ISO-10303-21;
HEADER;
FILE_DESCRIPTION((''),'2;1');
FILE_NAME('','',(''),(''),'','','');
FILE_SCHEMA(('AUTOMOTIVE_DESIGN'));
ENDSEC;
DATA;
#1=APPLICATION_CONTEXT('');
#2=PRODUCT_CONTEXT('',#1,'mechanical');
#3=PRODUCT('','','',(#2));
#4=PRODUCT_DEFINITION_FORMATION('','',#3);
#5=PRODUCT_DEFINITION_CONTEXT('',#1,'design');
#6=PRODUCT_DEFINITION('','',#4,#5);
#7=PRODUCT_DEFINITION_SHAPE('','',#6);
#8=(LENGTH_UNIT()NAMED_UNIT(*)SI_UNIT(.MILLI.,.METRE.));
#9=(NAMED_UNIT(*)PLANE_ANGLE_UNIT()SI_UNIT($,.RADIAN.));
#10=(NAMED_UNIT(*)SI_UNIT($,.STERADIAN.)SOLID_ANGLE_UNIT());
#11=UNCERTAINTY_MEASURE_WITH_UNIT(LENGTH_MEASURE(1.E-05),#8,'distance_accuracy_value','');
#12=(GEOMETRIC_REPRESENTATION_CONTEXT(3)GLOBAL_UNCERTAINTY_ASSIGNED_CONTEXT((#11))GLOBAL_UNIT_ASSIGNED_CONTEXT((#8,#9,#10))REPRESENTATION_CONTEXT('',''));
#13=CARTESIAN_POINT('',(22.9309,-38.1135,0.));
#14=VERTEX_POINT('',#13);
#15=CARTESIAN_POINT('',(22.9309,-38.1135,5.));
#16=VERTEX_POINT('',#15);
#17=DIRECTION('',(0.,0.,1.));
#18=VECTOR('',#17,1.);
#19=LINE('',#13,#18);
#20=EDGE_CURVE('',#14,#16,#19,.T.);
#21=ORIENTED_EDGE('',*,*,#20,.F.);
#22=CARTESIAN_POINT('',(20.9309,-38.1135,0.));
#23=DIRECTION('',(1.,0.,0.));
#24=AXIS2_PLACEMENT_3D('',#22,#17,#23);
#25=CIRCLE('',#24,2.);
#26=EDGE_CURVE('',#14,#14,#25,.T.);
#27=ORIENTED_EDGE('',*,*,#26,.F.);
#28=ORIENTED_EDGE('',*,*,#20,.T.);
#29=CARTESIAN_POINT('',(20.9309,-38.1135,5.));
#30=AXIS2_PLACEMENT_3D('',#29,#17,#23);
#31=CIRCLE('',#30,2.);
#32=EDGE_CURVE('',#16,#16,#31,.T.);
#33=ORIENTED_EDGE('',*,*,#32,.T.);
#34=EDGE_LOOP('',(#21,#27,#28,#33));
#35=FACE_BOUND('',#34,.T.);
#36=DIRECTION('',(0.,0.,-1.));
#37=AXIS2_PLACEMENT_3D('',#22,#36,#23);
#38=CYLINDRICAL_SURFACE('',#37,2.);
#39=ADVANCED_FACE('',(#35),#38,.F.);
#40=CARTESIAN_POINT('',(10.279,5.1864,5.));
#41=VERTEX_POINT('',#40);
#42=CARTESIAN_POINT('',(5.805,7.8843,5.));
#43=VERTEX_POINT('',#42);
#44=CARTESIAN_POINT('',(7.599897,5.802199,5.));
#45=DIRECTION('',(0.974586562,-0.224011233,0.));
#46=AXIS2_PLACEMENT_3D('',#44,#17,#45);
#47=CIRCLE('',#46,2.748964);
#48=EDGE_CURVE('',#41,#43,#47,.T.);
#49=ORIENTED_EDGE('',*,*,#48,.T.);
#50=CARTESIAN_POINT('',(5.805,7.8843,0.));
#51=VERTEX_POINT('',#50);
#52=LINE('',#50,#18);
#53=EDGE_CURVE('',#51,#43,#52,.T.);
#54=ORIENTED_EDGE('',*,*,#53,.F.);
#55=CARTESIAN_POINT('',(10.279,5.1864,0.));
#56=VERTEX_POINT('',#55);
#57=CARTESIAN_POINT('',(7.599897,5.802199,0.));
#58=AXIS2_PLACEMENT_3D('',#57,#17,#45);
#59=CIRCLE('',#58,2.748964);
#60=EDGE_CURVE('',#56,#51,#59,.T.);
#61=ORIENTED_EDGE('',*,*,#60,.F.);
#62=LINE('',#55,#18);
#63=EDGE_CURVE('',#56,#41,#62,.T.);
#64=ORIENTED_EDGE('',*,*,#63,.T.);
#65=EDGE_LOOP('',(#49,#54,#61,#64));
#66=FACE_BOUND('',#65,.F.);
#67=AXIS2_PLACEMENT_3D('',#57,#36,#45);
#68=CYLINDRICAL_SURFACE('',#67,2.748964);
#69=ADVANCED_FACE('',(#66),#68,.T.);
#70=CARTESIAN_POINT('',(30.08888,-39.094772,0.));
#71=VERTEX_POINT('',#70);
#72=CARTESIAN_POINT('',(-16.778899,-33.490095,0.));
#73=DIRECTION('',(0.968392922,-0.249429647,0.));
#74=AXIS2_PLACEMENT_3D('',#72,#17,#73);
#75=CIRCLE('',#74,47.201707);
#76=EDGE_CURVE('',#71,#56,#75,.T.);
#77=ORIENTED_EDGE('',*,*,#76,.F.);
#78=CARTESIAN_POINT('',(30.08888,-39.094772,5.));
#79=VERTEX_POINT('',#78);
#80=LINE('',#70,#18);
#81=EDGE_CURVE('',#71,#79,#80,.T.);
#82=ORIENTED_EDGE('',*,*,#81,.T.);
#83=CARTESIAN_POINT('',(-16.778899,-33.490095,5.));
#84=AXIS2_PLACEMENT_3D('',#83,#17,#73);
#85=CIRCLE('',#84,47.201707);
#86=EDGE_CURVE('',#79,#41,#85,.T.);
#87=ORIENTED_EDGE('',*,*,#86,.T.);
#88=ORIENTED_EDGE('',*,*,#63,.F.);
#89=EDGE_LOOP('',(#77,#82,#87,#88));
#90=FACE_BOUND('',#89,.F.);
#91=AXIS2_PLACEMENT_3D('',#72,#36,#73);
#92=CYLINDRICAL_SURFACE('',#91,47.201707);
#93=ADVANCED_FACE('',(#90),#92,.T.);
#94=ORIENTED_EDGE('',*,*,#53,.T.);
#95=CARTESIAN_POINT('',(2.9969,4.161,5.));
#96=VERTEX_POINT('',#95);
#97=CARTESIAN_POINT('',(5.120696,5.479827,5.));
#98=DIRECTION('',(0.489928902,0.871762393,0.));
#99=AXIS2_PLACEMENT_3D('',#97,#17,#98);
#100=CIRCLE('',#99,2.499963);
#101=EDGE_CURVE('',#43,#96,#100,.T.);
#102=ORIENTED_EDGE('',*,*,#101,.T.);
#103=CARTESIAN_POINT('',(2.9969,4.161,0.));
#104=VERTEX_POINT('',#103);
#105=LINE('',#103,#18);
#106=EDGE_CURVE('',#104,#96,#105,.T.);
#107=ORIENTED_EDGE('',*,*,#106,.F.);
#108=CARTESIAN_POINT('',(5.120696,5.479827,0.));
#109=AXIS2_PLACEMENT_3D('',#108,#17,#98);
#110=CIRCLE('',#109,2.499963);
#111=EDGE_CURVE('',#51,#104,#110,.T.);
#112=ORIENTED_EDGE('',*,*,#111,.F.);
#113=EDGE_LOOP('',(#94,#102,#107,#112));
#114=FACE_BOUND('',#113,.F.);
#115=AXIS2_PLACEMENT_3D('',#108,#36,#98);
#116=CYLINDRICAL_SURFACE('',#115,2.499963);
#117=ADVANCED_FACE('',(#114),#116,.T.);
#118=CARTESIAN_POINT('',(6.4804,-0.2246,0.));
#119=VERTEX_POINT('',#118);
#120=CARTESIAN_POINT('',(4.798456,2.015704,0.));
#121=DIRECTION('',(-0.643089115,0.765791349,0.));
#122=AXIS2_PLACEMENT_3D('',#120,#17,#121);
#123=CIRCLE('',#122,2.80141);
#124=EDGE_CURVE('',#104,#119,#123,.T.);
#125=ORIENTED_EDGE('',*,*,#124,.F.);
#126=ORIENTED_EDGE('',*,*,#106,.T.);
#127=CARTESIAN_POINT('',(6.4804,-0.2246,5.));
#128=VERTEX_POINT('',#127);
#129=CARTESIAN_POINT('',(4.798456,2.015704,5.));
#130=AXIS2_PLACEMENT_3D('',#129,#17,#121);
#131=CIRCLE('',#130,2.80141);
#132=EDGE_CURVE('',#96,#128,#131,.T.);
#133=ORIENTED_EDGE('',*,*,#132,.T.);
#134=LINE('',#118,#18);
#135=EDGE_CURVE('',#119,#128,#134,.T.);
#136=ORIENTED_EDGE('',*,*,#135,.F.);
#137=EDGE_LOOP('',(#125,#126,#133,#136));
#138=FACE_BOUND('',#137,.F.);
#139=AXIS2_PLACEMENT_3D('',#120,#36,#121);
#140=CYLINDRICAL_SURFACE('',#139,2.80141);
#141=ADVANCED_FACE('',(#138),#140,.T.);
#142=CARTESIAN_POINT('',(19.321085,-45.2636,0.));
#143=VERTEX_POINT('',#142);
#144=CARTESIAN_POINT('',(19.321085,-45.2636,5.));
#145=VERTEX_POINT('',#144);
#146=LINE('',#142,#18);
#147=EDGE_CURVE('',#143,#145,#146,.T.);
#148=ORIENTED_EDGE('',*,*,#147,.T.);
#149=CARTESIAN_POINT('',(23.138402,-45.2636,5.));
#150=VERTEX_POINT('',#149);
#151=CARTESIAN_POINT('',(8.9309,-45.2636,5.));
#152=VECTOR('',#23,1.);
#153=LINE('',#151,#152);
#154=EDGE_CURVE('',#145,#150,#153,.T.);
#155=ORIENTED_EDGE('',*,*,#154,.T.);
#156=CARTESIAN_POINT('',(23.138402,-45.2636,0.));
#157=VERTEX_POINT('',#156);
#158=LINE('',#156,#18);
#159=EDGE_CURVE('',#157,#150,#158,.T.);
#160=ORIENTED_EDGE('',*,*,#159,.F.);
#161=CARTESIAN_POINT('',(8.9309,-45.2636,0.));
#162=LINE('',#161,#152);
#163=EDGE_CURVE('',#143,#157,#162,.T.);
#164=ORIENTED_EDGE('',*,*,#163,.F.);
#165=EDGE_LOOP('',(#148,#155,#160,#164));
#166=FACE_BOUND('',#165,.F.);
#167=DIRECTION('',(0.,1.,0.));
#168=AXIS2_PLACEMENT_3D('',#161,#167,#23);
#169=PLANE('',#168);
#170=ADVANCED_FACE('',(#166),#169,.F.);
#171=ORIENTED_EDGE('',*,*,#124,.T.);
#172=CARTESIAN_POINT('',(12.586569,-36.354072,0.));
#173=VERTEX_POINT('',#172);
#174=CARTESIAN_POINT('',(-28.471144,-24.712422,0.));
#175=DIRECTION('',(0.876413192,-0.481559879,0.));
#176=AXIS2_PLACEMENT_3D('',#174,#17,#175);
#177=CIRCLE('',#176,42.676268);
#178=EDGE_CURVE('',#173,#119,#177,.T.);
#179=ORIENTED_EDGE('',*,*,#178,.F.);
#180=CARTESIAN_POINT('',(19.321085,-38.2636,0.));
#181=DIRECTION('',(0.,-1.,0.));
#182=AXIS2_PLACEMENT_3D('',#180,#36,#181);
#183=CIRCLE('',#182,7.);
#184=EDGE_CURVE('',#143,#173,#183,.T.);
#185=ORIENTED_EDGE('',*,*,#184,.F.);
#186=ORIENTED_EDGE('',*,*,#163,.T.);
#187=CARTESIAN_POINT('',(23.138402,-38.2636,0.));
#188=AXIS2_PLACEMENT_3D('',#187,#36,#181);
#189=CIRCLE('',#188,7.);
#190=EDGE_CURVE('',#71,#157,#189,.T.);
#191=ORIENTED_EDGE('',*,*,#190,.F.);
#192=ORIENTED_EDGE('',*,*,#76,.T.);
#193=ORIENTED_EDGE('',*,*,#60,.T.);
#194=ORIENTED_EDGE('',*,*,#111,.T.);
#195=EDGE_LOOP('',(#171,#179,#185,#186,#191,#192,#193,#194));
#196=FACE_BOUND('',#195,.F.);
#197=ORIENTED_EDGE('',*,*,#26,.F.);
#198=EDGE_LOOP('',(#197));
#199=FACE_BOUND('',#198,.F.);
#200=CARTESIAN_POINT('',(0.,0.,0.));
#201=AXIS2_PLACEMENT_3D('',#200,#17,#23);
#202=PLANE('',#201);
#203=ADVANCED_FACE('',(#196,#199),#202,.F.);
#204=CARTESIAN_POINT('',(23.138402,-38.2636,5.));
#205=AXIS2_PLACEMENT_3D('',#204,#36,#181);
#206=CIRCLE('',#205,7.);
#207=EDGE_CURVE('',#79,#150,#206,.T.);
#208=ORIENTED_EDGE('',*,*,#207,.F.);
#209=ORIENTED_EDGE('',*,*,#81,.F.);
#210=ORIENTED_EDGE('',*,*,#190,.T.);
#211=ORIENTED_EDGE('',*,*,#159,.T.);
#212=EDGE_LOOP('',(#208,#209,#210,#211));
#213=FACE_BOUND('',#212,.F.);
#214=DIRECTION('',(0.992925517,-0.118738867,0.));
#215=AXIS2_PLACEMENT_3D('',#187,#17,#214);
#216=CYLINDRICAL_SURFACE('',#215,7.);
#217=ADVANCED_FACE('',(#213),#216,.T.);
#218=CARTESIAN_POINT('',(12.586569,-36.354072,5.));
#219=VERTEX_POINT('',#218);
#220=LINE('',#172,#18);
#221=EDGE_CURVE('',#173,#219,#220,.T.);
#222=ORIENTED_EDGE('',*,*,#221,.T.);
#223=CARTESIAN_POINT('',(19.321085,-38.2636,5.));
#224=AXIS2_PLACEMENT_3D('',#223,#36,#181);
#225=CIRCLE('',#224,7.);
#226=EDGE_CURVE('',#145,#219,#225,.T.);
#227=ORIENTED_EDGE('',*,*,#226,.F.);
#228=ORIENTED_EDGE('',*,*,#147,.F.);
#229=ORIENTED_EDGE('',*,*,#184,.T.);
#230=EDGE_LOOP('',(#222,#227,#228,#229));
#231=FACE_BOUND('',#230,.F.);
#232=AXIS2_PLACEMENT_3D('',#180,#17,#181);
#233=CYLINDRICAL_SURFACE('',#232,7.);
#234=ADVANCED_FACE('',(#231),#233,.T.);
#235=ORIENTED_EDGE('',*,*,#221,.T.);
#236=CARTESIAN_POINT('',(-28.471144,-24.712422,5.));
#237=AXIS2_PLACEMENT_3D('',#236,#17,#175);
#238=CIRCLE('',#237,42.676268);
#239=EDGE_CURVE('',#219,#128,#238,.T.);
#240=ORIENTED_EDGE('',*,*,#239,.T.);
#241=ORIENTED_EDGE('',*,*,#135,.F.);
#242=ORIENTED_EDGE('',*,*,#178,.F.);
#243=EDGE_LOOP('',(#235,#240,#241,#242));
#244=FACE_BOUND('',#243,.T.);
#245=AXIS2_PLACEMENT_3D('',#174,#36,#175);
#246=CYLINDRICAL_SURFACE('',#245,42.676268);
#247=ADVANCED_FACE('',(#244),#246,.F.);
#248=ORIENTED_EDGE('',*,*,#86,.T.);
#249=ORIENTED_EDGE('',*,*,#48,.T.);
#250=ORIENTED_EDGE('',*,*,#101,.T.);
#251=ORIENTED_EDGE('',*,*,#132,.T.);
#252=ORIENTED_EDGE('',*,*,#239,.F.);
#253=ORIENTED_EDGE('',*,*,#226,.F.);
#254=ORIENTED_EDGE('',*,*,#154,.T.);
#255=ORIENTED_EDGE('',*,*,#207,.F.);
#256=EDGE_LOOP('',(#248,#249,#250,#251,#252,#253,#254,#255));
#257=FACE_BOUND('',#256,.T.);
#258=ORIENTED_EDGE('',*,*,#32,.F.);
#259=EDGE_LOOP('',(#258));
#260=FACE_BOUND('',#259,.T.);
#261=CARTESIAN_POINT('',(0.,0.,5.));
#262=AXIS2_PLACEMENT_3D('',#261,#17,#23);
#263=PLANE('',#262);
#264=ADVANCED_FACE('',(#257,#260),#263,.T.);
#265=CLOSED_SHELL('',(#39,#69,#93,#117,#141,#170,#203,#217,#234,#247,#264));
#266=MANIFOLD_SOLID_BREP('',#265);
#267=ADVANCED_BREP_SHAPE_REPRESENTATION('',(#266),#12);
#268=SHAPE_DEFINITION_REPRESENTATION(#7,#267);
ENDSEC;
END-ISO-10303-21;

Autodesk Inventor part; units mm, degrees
ref_plane "YZ Plane" through (0, 0, 0) normal (1, 0, 0) x (0, 1, 0)
ref_plane "XZ Plane" through (0, 0, 0) normal (0, 1, 0) x (-1, 0, 0)
ref_plane "XY Plane" through (0, 0, 0) normal (0, 0, 1) x (1, 0, 0)
sketch "Sketch1" plane through (0, 0, 0) normal (0, 0, 1) x (1, 0, 0)
  arc A0 (6.3455, 7.6592) -> (2.9969, 4.161) centre (5.1207, 5.4798) ccw
  arc A1 (28.9309, -45.2636) -> (10.279, 5.1864) centre (-16.779, -33.4901) ccw
  arc A2 (8.9309, -45.2636) -> (6.4804, -0.2246) centre (-28.4708, -24.7125) ccw
  line L0 (8.9309, -45.2636) -> (28.9309, -45.2636)
  arc A3 (2.9969, 4.161) -> (6.4804, -0.2246) centre (4.7985, 2.0157) ccw
  arc A4 (10.279, 5.1864) -> (5.805, 7.8843) centre (7.5999, 5.8022) ccw
  circle A5 centre (20.9309, -38.1135) radius 2
  point P0 (0, 0)
  dimension "d25" = 2.5
  dimension "d32" = 20
  dimension "d50" = 7.1502
  dimension "d51" = 8
extrude "Extrusion4" add sketch "Sketch1" along normal blind 5
fillet "Fillet3" radius 7 2 edges at (8.9309, -45.2636, 2.5) (28.9309, -45.2636, 2.5)
properties part number "mavac_ruka I guesss"
